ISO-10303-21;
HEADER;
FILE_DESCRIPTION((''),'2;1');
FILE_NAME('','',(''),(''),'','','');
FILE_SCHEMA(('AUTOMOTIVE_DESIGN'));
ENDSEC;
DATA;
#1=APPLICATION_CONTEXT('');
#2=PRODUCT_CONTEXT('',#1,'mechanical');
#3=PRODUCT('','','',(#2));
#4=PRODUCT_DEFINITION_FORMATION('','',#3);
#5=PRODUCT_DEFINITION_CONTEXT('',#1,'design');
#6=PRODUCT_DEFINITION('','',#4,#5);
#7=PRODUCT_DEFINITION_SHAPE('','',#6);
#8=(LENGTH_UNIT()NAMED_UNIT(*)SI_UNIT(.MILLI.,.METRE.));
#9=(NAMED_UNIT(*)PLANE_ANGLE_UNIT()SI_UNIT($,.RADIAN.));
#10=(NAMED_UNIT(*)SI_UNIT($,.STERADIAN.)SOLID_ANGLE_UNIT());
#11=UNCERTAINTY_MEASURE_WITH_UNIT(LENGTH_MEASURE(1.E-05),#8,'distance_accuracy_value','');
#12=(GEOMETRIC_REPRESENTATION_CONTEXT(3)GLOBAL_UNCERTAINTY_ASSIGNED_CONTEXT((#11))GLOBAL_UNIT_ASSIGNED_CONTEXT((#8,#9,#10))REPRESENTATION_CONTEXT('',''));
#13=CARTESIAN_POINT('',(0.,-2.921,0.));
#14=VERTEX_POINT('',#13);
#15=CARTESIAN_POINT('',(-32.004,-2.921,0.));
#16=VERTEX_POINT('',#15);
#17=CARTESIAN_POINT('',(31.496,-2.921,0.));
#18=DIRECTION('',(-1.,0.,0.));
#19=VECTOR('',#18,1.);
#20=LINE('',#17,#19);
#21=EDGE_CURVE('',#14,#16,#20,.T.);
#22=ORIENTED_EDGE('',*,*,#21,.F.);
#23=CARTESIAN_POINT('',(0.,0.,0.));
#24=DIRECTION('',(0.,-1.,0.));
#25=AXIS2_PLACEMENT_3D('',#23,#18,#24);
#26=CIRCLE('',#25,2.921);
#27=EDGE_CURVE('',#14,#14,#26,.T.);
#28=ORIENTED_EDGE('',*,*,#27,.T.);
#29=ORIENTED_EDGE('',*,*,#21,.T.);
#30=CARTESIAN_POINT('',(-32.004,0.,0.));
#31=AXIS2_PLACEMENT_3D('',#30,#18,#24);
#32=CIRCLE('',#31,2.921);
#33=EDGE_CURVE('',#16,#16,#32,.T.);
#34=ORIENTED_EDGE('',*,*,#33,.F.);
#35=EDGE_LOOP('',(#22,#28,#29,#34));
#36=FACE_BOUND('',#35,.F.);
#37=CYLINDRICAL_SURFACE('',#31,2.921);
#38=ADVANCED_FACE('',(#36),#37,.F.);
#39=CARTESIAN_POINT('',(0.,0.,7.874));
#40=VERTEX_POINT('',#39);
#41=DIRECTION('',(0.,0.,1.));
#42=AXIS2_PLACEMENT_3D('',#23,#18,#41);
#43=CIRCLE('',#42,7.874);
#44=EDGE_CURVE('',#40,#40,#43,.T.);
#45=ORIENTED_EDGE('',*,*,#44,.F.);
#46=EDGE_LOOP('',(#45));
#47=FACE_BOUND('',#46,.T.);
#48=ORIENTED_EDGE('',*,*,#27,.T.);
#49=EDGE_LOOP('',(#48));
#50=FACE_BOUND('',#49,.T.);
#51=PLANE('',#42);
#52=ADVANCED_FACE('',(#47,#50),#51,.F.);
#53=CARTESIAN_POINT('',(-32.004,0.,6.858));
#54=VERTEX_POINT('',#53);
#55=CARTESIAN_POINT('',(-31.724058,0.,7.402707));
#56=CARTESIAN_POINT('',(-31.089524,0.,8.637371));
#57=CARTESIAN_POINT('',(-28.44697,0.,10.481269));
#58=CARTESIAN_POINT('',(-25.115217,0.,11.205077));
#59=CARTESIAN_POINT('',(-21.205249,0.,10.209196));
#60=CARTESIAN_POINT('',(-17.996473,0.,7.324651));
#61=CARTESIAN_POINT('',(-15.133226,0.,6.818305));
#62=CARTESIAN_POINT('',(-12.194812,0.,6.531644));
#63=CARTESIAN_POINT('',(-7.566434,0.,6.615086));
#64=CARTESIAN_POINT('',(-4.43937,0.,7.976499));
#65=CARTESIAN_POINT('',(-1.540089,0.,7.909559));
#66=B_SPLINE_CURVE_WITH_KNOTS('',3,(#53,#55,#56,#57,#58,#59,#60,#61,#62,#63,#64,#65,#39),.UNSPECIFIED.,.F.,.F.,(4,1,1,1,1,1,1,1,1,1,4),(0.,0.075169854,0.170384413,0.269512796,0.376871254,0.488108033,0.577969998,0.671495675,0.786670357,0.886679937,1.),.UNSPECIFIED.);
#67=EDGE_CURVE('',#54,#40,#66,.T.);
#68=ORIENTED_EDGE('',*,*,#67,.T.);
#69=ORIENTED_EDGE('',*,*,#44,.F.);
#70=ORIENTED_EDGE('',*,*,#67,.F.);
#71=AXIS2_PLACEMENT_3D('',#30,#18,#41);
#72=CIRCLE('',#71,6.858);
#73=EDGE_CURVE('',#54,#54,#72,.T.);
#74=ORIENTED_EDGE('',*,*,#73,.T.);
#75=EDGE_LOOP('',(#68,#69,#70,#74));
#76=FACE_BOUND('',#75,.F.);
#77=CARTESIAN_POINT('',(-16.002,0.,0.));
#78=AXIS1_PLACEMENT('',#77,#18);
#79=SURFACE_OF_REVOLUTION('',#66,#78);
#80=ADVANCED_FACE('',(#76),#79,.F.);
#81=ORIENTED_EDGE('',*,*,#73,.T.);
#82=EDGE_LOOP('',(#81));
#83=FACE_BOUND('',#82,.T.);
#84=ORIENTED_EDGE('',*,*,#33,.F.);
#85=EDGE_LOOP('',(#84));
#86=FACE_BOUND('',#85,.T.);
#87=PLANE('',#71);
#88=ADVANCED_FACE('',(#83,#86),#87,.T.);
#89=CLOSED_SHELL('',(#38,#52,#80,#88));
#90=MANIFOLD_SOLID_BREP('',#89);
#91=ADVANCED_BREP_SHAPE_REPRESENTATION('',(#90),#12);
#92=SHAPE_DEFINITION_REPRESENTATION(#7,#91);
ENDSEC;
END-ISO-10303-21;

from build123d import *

# Parameters (mm, degrees)
F2_R     = 2.921
F3_DEPTH = 63.5


with BuildPart() as f1:
    # F0 (on Front) → F1 (revolve)
    with BuildSketch(Plane.XZ):
        with BuildLine():
            Line((-32.004, 0), (0, 0))
            Line((0, 0), (0, 7.874))
            add(Edge.make_bspline(
                [(-32.004, 6.858), (-31.7240577075, 7.4027067279), (-31.0895240395, 8.63737104), (-28.446969556, 10.4812689156), (-25.1152171415, 11.2050774937), (-21.2052489904, 10.2091955056), (-17.9964726984, 7.3246509106), (-15.1332256977, 6.8183052658), (-12.1948122719, 6.531644147), (-7.5664337534, 6.6150860016), (-4.4393696165, 7.9764992794), (-1.5400890797, 7.9095586569), (0, 7.874)],
                knots=[0, 0, 0, 0, 0.0751698542, 0.1703844135, 0.2695127958, 0.3768712538, 0.488108033, 0.577969998, 0.6714956753, 0.7866703571, 0.8866799369, 1, 1, 1, 1], degree=3))
            Line((-32.004, 6.858), (-32.004, 0))
        make_face()
    revolve(axis=Axis((-16.002, 0, 0), (-1, 0, 0)))


with BuildPart() as f3:
    # F2 (on face) → F3 (new body, symmetric)
    with BuildSketch(Plane(origin=(-32.004, 0, 0), x_dir=(0, -1, 0), z_dir=(-1, 0, 0))):
        Circle(F2_R)
    extrude(amount=F3_DEPTH, both=True)


with BuildPart() as f1_1:
    add(f1.part)

    # F4: cut F3
    add(f3.part, mode=Mode.SUBTRACT)


solid = f1_1.part
